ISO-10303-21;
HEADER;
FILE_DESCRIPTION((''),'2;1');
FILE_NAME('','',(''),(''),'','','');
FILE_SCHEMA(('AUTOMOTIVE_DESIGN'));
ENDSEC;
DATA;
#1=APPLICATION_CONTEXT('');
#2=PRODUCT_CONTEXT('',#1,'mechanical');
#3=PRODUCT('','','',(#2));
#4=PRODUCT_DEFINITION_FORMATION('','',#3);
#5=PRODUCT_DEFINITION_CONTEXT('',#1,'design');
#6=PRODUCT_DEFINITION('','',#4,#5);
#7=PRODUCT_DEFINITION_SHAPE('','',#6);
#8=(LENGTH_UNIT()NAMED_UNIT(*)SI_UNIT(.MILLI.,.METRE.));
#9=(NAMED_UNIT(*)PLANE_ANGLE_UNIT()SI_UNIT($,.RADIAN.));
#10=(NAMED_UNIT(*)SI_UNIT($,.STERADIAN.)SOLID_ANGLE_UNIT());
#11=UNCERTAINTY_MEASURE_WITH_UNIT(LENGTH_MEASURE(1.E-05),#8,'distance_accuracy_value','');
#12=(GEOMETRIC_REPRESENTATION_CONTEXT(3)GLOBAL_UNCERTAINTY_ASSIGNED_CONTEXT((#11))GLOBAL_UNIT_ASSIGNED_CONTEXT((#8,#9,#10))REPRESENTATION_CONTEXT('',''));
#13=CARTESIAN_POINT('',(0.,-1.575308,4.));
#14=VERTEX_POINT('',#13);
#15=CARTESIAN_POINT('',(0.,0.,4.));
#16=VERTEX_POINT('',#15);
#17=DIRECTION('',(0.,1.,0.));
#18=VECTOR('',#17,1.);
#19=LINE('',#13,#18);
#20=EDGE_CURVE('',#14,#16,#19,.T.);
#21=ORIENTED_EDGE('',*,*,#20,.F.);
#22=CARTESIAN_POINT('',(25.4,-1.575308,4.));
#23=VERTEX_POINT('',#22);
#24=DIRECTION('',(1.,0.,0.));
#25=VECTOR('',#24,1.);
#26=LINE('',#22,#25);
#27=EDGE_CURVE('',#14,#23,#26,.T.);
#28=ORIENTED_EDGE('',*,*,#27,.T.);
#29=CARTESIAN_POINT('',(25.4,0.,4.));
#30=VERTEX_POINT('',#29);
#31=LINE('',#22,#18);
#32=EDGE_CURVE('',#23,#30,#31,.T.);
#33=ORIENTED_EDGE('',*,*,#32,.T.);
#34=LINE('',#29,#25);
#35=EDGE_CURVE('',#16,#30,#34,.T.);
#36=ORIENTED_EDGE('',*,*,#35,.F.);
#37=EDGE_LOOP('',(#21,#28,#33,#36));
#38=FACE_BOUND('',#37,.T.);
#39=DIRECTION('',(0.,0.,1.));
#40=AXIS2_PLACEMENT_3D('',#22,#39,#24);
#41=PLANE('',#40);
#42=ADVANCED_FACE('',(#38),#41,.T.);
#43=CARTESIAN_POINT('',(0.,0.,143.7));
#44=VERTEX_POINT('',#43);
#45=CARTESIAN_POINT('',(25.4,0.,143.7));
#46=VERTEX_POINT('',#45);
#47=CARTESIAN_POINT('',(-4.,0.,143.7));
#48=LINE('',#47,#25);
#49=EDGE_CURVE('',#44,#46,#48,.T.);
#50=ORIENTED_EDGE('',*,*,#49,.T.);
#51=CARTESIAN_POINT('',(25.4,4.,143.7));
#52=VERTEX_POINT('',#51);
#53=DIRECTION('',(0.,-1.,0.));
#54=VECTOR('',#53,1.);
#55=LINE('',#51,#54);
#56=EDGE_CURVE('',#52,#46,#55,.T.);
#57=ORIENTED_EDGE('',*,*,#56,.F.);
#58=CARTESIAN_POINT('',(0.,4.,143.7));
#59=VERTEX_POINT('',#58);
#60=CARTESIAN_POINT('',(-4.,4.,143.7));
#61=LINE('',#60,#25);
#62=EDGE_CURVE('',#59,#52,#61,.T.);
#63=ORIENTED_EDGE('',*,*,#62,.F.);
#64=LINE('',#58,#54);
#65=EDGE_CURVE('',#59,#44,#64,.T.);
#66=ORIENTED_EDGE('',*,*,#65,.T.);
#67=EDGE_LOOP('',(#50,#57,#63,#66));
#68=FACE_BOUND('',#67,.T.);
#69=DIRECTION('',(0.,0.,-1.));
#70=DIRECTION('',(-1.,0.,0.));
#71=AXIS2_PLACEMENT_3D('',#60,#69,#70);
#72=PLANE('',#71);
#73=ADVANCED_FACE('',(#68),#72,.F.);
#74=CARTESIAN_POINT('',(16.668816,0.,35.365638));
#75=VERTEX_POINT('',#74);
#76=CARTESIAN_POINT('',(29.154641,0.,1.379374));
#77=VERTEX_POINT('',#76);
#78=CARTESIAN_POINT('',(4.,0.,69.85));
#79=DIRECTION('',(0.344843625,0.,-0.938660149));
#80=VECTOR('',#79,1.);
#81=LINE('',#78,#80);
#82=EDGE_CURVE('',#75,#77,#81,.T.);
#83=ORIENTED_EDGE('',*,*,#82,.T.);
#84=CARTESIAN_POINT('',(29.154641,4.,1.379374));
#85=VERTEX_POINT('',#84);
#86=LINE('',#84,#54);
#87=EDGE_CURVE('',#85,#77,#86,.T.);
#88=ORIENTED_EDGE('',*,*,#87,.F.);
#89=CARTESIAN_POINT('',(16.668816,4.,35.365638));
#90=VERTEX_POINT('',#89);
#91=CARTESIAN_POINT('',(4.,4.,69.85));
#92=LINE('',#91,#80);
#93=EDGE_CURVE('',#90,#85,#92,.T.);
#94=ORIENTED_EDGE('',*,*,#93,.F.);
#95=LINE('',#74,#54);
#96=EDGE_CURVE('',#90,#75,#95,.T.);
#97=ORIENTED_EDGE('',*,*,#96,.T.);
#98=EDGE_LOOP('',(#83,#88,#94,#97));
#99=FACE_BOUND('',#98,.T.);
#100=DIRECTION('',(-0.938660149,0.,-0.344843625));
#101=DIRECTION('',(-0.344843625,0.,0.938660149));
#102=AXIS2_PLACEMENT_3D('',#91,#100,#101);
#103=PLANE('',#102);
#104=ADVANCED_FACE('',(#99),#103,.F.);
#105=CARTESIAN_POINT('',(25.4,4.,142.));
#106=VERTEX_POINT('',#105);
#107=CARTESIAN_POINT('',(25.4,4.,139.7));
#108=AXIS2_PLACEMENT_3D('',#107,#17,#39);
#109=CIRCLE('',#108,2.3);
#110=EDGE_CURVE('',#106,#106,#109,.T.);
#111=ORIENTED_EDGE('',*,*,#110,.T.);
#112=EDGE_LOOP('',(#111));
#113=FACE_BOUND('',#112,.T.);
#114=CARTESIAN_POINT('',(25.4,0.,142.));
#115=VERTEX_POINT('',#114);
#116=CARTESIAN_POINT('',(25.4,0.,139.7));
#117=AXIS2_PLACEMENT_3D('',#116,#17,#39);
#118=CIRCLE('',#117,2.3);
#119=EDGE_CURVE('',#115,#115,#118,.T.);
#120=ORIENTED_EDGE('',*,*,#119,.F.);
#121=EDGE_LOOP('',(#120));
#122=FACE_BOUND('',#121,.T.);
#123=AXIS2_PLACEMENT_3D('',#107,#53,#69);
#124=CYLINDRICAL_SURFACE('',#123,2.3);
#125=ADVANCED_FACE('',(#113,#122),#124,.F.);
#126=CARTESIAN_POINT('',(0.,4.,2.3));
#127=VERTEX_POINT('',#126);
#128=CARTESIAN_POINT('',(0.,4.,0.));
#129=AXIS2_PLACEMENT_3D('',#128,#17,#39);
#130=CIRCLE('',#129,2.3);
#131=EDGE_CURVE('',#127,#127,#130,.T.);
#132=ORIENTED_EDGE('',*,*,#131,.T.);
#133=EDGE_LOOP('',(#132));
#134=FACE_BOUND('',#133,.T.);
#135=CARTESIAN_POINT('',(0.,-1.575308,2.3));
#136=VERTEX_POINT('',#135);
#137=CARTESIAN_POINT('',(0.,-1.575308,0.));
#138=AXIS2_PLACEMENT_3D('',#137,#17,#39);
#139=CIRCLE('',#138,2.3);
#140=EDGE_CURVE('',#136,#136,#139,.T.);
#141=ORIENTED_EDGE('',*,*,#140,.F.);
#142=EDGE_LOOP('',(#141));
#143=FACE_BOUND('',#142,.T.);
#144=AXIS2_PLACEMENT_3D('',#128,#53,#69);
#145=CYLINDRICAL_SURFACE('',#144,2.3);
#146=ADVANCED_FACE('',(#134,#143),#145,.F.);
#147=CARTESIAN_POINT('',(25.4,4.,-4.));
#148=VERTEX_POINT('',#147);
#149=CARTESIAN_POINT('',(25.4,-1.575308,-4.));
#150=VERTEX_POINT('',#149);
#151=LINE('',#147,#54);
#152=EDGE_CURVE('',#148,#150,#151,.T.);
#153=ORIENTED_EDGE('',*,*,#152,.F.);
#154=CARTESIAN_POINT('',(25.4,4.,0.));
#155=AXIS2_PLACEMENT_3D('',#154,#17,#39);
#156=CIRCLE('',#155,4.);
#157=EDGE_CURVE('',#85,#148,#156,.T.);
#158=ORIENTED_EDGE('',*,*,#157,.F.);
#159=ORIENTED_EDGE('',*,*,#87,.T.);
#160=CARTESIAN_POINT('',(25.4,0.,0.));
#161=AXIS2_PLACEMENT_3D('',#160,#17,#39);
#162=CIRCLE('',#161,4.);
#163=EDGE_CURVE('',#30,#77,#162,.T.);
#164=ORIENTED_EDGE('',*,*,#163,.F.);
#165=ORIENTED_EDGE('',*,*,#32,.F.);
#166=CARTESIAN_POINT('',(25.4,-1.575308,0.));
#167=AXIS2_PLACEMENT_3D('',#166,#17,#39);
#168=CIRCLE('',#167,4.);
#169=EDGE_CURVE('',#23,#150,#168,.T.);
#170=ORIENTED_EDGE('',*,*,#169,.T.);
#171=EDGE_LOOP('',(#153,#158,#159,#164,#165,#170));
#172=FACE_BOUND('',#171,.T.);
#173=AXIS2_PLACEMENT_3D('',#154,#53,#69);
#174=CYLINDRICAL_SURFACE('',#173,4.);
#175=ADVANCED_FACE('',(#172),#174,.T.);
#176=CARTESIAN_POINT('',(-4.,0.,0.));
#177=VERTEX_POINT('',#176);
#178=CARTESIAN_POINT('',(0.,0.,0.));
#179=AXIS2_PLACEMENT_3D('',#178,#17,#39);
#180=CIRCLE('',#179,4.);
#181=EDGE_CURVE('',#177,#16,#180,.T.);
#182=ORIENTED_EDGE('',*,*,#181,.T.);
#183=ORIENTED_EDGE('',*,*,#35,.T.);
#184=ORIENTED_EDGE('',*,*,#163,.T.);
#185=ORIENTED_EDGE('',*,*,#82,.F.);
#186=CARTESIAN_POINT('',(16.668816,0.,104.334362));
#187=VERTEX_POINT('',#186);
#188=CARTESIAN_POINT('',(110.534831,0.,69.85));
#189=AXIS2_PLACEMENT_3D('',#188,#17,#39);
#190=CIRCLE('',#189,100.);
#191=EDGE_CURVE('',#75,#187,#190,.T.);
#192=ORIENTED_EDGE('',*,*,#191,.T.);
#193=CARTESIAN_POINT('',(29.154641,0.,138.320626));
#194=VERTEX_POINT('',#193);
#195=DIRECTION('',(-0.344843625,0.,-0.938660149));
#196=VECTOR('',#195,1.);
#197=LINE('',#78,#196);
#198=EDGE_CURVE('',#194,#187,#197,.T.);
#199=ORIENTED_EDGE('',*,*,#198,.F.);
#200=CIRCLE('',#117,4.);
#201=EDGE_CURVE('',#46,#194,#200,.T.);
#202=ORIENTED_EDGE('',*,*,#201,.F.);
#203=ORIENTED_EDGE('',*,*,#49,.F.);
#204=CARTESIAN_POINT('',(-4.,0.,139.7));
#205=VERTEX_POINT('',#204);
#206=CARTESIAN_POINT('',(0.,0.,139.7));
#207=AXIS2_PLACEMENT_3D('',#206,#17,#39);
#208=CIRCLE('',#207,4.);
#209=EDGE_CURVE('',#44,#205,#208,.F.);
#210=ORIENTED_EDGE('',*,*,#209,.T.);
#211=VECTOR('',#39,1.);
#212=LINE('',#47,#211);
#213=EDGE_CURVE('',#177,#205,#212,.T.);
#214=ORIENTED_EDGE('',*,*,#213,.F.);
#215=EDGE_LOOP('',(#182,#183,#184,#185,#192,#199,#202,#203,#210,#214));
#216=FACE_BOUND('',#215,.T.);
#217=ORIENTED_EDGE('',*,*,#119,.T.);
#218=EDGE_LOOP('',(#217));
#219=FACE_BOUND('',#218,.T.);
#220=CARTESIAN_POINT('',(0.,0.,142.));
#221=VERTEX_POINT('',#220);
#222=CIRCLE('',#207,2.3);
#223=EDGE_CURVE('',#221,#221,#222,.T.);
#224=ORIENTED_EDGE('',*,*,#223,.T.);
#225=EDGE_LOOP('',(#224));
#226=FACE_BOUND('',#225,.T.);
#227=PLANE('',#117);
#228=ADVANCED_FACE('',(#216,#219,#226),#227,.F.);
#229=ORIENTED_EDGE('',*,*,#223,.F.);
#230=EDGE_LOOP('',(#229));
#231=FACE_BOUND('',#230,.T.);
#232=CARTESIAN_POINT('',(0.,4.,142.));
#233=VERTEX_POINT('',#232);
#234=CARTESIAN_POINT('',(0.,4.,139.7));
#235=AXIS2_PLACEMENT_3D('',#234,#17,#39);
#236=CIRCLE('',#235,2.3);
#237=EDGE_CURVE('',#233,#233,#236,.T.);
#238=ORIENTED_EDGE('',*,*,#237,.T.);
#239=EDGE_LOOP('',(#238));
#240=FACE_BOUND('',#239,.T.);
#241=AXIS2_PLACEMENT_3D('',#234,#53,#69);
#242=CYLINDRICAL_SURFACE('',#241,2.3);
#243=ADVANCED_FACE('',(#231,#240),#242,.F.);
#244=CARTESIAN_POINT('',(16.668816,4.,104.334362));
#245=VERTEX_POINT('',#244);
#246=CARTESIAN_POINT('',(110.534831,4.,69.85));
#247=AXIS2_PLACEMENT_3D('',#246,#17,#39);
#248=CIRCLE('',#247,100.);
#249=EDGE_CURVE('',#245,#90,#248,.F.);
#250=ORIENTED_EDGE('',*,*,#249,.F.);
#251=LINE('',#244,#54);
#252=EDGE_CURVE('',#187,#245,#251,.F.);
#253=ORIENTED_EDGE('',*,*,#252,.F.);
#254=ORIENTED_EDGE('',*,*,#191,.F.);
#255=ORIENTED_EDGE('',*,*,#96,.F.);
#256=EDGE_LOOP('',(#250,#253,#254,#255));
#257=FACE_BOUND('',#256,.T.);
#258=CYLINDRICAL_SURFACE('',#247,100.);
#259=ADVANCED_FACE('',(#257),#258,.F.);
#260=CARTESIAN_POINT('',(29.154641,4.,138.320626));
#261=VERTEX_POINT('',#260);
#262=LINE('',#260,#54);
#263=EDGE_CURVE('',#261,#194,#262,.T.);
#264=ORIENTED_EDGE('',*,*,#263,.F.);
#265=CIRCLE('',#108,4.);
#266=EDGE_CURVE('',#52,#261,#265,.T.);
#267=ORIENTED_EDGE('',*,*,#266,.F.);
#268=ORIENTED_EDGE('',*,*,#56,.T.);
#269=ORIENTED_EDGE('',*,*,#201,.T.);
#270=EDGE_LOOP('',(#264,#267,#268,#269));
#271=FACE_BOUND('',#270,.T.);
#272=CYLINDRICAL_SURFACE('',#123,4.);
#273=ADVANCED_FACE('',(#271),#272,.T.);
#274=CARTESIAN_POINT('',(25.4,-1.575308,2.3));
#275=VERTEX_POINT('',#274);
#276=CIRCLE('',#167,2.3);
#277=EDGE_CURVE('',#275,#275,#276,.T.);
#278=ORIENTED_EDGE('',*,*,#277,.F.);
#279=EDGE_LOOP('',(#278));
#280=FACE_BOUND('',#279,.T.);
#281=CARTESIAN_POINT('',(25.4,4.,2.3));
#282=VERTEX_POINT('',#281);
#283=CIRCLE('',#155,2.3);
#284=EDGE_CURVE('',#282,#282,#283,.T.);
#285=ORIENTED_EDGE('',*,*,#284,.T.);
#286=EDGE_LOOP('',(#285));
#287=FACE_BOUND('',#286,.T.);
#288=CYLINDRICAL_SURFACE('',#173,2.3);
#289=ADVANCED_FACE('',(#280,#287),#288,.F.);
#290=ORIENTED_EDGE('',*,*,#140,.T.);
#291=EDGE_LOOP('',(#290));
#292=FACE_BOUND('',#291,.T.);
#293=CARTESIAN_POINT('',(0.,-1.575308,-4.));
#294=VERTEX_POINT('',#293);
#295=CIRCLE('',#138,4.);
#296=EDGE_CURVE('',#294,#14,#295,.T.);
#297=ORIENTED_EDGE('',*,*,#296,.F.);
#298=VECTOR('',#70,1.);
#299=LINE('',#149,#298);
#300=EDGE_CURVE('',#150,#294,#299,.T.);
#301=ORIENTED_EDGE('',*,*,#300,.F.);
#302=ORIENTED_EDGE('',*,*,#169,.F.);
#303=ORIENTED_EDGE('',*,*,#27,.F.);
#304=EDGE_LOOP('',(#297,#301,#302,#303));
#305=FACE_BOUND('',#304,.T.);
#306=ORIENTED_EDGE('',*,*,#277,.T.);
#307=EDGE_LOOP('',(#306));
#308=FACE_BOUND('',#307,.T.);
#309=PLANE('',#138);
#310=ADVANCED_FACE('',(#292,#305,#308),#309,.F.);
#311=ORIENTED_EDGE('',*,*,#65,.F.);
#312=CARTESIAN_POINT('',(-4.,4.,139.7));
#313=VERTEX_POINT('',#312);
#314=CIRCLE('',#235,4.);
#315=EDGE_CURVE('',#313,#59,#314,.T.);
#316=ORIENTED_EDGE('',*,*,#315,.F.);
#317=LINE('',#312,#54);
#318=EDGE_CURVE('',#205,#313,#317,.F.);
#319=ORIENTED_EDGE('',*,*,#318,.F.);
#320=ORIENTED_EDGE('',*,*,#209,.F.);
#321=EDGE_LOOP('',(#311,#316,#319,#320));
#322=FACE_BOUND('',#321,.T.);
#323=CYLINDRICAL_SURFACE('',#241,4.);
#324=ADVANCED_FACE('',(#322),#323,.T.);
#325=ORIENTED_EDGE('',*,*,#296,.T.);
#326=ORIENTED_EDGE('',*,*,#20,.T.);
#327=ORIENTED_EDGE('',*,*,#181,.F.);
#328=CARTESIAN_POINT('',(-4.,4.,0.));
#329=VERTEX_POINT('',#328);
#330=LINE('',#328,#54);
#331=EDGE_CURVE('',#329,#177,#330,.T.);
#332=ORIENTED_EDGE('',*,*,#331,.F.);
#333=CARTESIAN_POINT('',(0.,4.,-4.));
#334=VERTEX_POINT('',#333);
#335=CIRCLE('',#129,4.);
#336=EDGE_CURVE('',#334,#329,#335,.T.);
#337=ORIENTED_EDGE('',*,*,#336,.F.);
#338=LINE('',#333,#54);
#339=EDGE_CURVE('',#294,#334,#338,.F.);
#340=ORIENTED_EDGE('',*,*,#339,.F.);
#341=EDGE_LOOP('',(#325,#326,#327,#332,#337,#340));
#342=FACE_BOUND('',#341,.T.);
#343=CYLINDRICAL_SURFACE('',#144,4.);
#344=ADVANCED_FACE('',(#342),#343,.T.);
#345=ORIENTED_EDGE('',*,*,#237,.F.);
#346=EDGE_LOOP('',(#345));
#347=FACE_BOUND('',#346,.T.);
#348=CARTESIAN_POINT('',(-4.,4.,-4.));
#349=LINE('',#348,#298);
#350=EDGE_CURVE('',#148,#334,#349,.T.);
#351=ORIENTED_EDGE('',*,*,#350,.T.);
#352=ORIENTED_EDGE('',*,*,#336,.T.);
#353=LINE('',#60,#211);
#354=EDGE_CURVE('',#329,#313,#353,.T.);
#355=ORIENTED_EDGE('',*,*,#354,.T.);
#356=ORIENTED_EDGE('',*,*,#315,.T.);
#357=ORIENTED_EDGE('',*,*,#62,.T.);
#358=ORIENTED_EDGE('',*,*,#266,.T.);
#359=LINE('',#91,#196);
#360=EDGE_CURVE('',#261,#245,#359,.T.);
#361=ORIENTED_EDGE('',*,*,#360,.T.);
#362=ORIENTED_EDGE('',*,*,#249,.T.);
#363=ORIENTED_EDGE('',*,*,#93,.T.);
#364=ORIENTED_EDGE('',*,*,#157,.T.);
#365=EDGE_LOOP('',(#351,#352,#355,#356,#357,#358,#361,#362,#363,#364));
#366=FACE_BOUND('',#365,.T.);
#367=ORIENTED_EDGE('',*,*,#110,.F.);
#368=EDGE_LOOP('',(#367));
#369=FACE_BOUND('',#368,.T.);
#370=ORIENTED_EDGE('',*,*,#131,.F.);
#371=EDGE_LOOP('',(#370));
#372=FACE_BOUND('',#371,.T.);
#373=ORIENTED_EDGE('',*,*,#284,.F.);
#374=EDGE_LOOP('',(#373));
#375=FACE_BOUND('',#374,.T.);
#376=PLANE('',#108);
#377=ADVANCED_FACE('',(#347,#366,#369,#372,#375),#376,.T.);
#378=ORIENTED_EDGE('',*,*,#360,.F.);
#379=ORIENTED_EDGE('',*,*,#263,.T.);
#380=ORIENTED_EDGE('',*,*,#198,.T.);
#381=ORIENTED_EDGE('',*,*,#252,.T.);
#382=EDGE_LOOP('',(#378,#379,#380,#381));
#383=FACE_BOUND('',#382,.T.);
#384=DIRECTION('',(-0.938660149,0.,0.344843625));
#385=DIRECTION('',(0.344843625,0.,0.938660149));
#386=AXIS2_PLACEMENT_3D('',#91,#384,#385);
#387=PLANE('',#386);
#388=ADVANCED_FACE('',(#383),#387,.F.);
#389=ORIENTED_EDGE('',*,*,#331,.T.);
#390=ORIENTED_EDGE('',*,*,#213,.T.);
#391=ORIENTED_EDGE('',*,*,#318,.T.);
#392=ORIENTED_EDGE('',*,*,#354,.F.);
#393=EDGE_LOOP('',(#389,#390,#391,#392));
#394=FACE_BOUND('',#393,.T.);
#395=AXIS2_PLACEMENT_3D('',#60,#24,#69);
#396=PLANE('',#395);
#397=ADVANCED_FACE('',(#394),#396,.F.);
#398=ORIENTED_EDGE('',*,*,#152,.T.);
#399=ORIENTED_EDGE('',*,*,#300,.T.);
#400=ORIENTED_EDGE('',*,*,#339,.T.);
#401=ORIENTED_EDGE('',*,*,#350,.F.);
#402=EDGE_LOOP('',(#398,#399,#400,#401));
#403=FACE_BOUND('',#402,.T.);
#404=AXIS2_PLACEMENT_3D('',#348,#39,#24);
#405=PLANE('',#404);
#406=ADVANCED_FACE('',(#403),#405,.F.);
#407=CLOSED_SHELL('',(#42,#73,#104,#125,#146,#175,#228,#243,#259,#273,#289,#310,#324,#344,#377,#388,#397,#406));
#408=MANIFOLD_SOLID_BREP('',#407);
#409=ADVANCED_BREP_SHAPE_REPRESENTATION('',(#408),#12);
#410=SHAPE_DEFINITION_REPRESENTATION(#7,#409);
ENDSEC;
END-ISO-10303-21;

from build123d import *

# Parameters (mm, degrees)
SKETCH1_R           = 2.3
BOSS_EXTRUDE2_DEPTH = 4
FILLET1_R           = 4
FILLET2_R           = 100
BOSS_EXTRUDE3_START = -5.575308
SKETCH2_R           = 2.3
BOSS_EXTRUDE3_DEPTH = 1.575308


with BuildPart() as part:
    # Sketch1 → Boss-Extrude2 (new body)
    with BuildSketch(Plane(origin=(0, 0, 0), x_dir=(1, 0, 0), z_dir=(0, 1, 0))):
        with BuildLine():
            Line((-4, -143.7), (-4, 4))
            Line((-4, 4), (25.4, 4))
            ThreePointArc((25.4, 4), (28.6800532, 2.289377864), (29.154640594, -1.379374498))
            Line((29.154640594, -1.379374498), (4, -69.85))
            Line((4, -69.85), (29.154640594, -138.320625502))
            ThreePointArc((29.154640594, -138.320625502), (28.6800532, -141.989377864), (25.4, -143.7))
            Line((25.4, -143.7), (-4, -143.7))
        make_face()
        with Locations(Location((0, 0, 0), (0, 0, 270))):
            Circle(SKETCH1_R, mode=Mode.SUBTRACT)
        with Locations(Location((25.4, 0, 0), (0, 0, 270))):
            Circle(SKETCH1_R, mode=Mode.SUBTRACT)
        with Locations(Location((25.4, -139.7, 0), (0, 0, 270))):
            Circle(SKETCH1_R, mode=Mode.SUBTRACT)
        with Locations(Location((0, -139.7, 0), (0, 0, 270))):
            Circle(SKETCH1_R, mode=Mode.SUBTRACT)
    extrude(amount=BOSS_EXTRUDE2_DEPTH)

    # Fillet1
    fillet1_edges = [part.edges().sort_by_distance(p)[0] for p in [
        (-4, 2, 143.7),
        (-4, 2, -4),
    ]]
    fillet(fillet1_edges, radius=FILLET1_R)

    # Fillet2
    fillet2_edges = [part.edges().sort_by_distance(p)[0] for p in [
        (4, 2, 69.85),
    ]]
    fillet(fillet2_edges, radius=FILLET2_R)

    # Sketch2 → Boss-Extrude3 (add)
    with BuildSketch(Plane(origin=(0, 4, 0), x_dir=(1, 0, 0), z_dir=(0, 1, 0)).offset(BOSS_EXTRUDE3_START)):
        with BuildLine():
            Line((0, -4), (25.4, -4))
            ThreePointArc((25.4, -4), (29.4, 0), (25.4, 4))
            Line((25.4, 4), (0, 4))
            ThreePointArc((0, 4), (-4, 0), (0, -4))
        make_face()
        with Locations(Location((0, 0, 0), (0, 0, 270))):
            Circle(SKETCH2_R, mode=Mode.SUBTRACT)
        with Locations(Location((25.4, 0, 0), (0, 0, 270))):
            Circle(SKETCH2_R, mode=Mode.SUBTRACT)
    extrude(amount=BOSS_EXTRUDE3_DEPTH)


solid = part.part
